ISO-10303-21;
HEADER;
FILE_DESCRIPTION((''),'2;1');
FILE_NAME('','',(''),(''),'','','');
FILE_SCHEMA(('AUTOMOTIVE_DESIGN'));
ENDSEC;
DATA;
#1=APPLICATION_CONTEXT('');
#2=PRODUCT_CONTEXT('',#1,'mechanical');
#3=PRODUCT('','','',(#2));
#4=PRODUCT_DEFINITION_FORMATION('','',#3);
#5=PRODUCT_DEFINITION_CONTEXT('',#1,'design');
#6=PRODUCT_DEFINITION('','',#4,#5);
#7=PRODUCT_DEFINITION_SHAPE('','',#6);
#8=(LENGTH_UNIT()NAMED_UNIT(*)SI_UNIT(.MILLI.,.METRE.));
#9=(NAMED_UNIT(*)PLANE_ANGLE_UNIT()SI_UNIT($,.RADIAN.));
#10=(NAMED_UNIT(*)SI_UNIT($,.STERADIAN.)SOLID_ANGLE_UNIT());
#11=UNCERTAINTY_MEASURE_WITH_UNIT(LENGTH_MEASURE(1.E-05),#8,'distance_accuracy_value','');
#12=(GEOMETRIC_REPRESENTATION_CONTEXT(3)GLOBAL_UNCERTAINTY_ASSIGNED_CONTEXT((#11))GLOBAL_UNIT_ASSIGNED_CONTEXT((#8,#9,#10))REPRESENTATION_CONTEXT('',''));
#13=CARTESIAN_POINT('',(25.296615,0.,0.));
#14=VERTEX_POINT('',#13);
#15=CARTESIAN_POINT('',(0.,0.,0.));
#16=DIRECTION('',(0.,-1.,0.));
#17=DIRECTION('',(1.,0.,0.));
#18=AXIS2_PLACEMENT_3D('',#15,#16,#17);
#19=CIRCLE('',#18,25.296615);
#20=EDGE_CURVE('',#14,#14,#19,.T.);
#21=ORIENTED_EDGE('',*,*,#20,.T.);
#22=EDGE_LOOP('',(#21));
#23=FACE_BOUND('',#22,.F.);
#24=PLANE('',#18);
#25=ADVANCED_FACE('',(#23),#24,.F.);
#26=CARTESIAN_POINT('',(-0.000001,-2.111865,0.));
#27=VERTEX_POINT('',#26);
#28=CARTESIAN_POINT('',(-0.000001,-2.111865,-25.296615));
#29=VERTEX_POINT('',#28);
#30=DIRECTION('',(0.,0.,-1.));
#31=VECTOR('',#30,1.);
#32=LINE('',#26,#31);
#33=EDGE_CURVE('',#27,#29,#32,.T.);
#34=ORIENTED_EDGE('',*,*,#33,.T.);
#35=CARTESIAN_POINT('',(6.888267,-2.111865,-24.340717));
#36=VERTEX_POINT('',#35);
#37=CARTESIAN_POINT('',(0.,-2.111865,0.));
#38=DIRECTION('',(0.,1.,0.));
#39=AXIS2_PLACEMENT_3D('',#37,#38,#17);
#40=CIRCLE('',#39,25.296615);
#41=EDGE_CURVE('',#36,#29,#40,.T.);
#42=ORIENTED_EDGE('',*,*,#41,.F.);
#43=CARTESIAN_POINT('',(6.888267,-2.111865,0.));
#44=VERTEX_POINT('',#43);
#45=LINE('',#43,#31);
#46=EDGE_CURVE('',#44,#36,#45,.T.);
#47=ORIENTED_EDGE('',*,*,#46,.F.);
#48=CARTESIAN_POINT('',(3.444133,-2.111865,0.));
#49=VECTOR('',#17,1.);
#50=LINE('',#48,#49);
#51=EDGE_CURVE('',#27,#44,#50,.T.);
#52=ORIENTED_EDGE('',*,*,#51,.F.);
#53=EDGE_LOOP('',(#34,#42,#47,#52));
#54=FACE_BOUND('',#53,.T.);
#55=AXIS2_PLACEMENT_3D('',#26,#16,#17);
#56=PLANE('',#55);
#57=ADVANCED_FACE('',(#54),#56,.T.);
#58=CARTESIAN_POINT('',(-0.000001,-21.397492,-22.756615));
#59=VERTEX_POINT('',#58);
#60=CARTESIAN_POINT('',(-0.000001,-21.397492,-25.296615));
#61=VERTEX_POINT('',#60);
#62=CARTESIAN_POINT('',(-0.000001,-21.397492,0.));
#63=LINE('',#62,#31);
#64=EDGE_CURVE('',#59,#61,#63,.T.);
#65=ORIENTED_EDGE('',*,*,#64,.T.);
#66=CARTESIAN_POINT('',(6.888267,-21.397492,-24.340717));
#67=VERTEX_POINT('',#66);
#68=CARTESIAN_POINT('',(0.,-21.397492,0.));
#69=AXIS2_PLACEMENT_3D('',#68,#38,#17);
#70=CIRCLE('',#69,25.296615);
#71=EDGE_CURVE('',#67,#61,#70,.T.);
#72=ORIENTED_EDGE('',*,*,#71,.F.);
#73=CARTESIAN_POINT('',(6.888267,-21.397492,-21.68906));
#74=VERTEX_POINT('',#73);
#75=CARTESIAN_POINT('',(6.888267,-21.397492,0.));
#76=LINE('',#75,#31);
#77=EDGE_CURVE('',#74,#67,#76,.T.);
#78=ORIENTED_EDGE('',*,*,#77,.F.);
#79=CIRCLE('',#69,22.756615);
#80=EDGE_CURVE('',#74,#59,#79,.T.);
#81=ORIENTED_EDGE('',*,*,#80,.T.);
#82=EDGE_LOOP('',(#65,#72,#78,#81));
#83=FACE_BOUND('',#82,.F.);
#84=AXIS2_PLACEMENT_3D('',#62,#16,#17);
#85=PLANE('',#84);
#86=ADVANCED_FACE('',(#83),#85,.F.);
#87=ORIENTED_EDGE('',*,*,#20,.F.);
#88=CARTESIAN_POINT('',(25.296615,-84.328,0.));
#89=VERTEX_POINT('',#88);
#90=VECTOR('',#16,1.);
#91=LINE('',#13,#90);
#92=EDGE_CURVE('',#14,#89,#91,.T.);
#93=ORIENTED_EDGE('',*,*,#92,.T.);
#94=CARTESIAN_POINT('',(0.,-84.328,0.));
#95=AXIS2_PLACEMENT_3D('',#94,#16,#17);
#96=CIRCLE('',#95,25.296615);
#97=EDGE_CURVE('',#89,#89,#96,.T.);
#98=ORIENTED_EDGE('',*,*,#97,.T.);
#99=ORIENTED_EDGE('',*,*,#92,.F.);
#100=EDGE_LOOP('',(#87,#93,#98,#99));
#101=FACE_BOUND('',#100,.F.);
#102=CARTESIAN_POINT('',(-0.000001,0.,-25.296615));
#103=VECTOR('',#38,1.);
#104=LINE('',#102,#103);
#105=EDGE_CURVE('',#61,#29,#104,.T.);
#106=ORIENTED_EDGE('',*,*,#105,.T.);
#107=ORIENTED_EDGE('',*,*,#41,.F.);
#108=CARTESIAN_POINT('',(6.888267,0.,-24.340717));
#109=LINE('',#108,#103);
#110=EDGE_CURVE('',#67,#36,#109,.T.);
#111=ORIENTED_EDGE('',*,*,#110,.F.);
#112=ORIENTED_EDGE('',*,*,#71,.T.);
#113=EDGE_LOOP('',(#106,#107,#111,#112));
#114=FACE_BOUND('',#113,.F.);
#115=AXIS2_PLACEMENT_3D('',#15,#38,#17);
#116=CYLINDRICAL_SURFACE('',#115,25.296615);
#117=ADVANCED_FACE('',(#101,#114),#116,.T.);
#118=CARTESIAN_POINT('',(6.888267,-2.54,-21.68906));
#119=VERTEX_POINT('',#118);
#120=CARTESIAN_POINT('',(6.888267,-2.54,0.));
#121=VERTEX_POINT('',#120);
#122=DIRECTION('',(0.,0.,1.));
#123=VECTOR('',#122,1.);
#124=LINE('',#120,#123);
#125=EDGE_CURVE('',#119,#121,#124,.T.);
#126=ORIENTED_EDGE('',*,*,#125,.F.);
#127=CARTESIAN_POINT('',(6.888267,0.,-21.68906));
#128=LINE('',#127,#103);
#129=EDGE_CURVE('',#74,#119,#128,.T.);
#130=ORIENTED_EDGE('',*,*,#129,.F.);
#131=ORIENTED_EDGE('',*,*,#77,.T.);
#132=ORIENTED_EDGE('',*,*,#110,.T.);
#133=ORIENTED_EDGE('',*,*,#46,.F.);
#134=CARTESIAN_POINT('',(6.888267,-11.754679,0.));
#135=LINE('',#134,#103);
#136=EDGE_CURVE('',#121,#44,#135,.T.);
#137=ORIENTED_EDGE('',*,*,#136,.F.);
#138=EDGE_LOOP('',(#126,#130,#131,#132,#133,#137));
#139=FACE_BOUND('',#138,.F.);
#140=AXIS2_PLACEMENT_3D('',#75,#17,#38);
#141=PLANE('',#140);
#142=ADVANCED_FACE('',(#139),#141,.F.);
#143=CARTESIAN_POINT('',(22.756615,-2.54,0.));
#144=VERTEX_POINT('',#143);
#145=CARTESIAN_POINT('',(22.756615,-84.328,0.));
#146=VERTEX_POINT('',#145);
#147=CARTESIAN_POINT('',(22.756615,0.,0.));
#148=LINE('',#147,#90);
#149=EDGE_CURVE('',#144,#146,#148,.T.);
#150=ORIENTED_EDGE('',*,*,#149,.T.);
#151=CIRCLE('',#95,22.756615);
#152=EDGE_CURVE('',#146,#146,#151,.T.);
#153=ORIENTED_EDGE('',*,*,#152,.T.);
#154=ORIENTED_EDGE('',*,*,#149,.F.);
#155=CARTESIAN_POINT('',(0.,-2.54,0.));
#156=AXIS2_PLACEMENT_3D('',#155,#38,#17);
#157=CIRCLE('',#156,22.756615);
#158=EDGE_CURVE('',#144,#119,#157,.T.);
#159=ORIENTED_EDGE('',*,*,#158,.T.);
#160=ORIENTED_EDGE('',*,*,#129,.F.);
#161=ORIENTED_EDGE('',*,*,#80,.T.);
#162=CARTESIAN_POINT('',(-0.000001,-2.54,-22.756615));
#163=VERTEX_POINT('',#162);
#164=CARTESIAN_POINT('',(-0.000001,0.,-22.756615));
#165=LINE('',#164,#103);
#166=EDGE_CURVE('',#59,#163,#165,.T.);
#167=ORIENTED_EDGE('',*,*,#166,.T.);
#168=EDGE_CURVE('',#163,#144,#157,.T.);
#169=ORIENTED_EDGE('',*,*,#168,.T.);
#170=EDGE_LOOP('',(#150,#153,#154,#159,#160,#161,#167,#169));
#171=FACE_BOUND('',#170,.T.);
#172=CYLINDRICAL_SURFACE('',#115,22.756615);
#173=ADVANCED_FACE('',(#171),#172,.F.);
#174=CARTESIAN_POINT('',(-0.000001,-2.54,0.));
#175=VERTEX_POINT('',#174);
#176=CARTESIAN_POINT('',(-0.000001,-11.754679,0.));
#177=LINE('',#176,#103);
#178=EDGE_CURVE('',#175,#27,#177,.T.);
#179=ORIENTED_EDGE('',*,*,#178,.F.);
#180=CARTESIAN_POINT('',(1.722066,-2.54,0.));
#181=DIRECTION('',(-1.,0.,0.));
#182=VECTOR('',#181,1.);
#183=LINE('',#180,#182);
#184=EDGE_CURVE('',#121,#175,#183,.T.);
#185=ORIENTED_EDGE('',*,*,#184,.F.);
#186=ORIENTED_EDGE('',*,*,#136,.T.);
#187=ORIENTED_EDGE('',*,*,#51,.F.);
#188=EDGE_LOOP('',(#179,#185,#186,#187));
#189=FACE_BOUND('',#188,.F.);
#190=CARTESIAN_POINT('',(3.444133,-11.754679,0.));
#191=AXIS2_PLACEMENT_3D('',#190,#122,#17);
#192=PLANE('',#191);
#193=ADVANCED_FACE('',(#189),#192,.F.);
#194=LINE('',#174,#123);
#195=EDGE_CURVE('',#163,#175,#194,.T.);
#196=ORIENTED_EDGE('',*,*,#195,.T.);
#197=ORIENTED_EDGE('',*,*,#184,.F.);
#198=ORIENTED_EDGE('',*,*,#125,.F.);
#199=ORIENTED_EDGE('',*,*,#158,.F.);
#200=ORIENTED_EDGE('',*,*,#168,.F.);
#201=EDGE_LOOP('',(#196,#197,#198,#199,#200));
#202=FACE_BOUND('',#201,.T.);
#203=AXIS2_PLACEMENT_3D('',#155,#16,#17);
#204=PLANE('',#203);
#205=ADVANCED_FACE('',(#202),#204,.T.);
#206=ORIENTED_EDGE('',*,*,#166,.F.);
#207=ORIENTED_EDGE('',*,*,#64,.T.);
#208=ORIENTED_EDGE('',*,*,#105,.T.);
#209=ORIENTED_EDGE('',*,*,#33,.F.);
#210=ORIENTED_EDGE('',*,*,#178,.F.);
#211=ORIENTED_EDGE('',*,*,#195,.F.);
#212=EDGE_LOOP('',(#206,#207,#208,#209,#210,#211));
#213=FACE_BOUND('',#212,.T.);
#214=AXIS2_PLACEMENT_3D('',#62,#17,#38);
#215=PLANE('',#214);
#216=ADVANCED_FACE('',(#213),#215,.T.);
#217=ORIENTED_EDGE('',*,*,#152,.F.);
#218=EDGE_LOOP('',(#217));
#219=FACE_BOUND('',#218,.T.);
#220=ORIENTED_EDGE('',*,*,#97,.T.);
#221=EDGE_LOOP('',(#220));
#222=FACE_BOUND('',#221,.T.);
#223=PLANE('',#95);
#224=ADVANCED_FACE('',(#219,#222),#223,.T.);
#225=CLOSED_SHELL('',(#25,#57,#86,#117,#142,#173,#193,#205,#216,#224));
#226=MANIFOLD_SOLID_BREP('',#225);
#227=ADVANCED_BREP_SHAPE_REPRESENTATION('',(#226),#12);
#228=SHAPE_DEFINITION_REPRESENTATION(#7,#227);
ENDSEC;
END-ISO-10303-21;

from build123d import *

# Parameters (mm, degrees)
F0_R     = 25.296615
F1_DEPTH = 84.328
F2_T     = -2.54
F3_W     = 6.888267
F3_H     = 19.285627
F4_DEPTH = 25.4


with BuildPart() as f1:
    # F0 (on Front) → F1 (new body)
    with BuildSketch(Plane.XZ):
        Circle(F0_R)
    extrude(amount=F1_DEPTH)

    # F2
    f2_openings = [f1.faces().sort_by_distance(p)[0] for p in [
        (0, -84.328, 0),
    ]]
    offset(amount=F2_T, openings=f2_openings)

    # F3 (on Top) → F4 (cut)
    with BuildSketch(Plane.XY):
        with Locations((3.444133, -11.754679)):
            Rectangle(F3_W, F3_H)
    extrude(amount=-F4_DEPTH, mode=Mode.SUBTRACT)


solid = f1.part
